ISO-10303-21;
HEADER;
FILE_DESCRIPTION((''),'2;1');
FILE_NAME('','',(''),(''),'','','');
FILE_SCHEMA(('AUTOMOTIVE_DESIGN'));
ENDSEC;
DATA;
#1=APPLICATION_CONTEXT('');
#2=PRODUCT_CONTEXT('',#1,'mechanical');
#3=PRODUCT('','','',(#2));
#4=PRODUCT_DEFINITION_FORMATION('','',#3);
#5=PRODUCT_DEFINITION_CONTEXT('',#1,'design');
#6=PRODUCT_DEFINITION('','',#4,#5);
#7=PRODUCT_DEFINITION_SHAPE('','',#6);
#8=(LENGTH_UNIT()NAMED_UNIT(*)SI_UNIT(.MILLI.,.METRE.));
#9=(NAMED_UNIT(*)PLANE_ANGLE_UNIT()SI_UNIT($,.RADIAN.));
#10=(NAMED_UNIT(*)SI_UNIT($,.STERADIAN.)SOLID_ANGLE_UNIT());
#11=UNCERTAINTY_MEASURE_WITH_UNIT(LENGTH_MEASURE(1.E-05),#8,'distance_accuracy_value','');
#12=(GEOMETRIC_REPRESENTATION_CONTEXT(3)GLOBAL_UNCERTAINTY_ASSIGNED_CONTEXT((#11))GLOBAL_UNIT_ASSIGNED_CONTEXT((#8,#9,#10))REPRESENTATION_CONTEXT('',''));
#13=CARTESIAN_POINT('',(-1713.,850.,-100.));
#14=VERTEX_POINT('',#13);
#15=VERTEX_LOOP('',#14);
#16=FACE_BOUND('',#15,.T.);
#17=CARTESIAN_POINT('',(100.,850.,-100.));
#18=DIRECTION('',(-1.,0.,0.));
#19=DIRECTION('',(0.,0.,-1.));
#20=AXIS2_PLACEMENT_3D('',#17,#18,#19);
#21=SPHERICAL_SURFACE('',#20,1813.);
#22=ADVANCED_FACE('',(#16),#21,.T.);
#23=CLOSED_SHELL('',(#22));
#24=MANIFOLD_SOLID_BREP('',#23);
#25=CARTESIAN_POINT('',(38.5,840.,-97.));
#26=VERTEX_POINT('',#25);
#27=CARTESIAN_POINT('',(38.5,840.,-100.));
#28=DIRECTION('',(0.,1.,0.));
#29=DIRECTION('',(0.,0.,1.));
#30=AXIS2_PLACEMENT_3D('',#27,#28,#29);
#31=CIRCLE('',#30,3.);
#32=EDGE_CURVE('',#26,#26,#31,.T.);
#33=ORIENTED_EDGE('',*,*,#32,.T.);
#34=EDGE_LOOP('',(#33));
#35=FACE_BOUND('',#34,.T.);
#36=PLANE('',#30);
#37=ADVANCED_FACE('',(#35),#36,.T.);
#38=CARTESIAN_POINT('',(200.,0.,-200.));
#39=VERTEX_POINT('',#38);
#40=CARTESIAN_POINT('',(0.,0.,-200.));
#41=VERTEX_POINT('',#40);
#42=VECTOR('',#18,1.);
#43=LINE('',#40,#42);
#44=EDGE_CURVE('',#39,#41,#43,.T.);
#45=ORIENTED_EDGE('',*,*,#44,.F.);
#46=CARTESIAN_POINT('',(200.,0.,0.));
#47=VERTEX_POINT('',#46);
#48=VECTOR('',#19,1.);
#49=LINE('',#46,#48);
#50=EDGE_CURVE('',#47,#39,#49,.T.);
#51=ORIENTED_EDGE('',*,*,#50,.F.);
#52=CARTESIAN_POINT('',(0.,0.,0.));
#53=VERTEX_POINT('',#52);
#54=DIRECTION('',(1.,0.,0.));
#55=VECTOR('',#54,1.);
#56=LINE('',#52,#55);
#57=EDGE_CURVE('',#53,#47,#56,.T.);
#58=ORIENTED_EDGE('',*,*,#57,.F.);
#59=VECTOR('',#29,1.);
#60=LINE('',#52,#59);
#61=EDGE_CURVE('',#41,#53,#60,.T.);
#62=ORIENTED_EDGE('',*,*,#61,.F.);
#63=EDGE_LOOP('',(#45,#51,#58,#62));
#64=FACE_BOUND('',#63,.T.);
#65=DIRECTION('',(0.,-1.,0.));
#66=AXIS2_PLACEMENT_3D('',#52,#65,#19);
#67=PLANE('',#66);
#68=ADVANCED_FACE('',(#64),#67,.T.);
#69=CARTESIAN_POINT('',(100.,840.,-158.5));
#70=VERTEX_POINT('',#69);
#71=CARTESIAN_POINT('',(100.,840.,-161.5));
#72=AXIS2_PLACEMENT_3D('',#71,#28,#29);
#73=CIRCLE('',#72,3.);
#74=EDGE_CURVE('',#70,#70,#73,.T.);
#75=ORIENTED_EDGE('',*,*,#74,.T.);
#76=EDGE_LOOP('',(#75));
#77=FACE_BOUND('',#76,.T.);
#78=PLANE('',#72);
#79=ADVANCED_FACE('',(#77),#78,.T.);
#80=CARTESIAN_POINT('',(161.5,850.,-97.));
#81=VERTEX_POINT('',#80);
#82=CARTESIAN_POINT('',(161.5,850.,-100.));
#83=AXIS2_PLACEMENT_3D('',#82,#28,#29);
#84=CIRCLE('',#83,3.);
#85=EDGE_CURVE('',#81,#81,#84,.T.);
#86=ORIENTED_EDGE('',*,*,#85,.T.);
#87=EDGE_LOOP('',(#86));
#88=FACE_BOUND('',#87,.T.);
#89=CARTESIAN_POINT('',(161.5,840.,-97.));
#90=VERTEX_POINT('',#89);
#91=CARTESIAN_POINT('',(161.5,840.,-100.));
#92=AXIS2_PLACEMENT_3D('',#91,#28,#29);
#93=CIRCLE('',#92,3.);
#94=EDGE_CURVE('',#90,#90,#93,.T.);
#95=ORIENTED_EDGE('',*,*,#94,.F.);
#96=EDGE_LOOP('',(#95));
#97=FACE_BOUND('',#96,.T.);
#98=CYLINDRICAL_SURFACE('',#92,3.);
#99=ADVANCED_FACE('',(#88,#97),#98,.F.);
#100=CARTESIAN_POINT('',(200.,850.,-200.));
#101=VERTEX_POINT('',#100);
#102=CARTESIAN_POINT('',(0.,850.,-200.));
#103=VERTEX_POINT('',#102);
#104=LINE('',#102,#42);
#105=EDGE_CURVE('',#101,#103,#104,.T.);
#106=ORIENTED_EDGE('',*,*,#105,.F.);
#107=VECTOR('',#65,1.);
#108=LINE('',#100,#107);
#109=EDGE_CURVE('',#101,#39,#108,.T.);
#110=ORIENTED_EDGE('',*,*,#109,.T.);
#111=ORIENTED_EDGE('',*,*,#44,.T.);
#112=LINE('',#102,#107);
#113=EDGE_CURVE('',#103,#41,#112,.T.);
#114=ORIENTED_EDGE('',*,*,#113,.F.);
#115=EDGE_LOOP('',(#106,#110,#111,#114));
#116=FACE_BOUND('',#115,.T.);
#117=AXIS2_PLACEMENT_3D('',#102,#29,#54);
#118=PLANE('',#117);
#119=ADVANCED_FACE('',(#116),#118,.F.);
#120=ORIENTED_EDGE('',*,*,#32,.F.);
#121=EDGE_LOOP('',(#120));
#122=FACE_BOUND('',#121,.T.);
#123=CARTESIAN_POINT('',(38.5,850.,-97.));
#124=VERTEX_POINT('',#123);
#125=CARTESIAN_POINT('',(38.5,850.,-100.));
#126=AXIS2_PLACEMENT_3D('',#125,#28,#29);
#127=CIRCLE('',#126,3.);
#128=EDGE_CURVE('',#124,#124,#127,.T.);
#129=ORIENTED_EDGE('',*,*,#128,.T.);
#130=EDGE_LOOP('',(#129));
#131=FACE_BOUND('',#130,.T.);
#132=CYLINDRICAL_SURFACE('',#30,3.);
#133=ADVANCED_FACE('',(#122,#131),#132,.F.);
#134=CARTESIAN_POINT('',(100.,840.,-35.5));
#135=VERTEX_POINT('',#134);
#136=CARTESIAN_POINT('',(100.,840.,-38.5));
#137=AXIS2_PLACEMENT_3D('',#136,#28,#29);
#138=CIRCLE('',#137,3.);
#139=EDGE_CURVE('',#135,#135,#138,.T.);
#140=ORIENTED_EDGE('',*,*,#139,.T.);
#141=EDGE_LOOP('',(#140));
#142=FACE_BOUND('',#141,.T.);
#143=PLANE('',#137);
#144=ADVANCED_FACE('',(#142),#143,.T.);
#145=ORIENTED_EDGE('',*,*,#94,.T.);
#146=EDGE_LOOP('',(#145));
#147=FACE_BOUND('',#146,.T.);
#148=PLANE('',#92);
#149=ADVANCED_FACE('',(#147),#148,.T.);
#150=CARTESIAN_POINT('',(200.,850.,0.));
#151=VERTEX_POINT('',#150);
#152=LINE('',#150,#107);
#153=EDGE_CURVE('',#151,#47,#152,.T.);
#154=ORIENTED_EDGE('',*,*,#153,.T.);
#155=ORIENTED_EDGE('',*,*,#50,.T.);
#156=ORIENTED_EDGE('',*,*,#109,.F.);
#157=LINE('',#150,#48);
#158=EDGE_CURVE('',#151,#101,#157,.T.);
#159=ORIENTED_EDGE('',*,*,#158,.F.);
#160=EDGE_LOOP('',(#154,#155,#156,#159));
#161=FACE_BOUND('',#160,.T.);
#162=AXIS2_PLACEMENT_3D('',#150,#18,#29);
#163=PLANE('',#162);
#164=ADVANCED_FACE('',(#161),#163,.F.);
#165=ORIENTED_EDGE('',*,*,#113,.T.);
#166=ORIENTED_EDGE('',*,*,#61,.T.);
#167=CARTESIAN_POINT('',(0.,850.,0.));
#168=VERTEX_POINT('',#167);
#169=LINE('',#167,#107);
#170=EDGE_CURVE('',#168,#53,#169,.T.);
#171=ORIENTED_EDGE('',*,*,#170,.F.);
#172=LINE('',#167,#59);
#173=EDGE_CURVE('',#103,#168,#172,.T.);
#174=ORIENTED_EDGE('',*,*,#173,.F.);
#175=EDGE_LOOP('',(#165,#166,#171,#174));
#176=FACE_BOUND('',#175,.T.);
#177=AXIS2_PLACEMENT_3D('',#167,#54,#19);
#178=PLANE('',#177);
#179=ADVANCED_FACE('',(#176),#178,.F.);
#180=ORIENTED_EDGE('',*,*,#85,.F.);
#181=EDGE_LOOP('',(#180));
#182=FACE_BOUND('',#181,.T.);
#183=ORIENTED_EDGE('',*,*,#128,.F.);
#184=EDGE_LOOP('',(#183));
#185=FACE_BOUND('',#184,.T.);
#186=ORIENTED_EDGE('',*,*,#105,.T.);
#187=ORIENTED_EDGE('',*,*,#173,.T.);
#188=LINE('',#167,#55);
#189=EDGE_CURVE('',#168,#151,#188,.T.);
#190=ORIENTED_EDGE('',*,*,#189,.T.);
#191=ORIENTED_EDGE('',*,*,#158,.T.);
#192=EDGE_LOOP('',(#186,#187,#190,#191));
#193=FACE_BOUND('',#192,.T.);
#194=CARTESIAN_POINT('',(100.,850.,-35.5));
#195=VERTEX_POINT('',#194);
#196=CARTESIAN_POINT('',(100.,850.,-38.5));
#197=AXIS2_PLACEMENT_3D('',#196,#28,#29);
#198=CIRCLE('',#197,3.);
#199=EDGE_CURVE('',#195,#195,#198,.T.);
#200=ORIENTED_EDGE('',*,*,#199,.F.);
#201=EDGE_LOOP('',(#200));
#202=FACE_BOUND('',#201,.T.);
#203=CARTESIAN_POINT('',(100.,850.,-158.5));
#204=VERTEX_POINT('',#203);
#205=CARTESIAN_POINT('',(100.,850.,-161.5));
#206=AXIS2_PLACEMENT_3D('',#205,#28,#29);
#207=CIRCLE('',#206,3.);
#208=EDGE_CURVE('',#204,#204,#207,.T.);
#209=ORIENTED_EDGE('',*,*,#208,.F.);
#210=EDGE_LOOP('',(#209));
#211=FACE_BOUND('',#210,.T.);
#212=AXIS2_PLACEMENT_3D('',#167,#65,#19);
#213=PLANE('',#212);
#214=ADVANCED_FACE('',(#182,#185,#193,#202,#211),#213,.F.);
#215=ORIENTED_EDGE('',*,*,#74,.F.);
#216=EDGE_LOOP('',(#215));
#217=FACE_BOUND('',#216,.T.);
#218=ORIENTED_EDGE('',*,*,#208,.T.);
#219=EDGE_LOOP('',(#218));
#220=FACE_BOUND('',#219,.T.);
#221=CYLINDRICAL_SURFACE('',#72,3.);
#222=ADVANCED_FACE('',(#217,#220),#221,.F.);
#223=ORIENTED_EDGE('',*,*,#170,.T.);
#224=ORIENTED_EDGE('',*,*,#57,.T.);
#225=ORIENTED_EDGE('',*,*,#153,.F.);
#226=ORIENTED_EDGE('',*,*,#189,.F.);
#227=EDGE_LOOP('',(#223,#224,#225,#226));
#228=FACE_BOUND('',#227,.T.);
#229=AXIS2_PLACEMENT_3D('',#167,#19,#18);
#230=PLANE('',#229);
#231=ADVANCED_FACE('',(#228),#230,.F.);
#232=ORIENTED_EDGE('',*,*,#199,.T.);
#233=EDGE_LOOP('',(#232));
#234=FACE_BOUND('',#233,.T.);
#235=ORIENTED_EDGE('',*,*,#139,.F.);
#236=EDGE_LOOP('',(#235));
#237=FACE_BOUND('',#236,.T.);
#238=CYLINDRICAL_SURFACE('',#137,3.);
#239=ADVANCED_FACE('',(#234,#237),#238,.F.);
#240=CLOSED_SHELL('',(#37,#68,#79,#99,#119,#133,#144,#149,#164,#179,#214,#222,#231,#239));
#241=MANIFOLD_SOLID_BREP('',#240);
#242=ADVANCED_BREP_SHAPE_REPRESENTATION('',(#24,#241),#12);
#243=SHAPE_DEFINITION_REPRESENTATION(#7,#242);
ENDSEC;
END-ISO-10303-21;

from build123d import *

# Parameters (mm, degrees)
SKETCH1_W           = 200
SKETCH1_H           = 200
BOSS_EXTRUDE1_DEPTH = 850
SKETCH2_R           = 3
CUT_EXTRUDE1_DEPTH  = 10


with BuildPart() as part:
    # Sketch1 → Boss-Extrude1 (new body)
    with BuildSketch(Plane(origin=(0, 0, 0), x_dir=(1, 0, 0), z_dir=(0, 1, 0))):
        with Locations((100, 100)):
            Rectangle(SKETCH1_W, SKETCH1_H)
    extrude(amount=BOSS_EXTRUDE1_DEPTH)

    # Sketch2 → Cut-Extrude1 (cut)
    with BuildSketch(Plane(origin=(0, 850, 0), x_dir=(1, 0, 0), z_dir=(0, 1, 0))):
        with Locations(Location((100, 161.5, 0), (0, 0, 270))):
            Circle(SKETCH2_R)
        with Locations(Location((161.5, 100, 0), (0, 0, 270))):
            Circle(SKETCH2_R)
        with Locations(Location((100, 38.5, 0), (0, 0, 270))):
            Circle(SKETCH2_R)
        with Locations(Location((38.5, 100, 0), (0, 0, 270))):
            Circle(SKETCH2_R)
    extrude(amount=-CUT_EXTRUDE1_DEPTH, mode=Mode.SUBTRACT)


with BuildPart() as body_2:
    # Sketch3 → Revolve1 (revolve)
    with BuildSketch(Plane(origin=(0, 850, 0), x_dir=(1, 0, 0), z_dir=(0, 1, 0))):
        with BuildLine():
            Line((-1713, 100), (1913, 100))
            ThreePointArc((1913, 100), (100, -1713), (-1713, 100))
        make_face()
    revolve(axis=Axis((-1713, 850, -100), (1, 0, 0)))


solid = Compound([part.part, body_2.part])
